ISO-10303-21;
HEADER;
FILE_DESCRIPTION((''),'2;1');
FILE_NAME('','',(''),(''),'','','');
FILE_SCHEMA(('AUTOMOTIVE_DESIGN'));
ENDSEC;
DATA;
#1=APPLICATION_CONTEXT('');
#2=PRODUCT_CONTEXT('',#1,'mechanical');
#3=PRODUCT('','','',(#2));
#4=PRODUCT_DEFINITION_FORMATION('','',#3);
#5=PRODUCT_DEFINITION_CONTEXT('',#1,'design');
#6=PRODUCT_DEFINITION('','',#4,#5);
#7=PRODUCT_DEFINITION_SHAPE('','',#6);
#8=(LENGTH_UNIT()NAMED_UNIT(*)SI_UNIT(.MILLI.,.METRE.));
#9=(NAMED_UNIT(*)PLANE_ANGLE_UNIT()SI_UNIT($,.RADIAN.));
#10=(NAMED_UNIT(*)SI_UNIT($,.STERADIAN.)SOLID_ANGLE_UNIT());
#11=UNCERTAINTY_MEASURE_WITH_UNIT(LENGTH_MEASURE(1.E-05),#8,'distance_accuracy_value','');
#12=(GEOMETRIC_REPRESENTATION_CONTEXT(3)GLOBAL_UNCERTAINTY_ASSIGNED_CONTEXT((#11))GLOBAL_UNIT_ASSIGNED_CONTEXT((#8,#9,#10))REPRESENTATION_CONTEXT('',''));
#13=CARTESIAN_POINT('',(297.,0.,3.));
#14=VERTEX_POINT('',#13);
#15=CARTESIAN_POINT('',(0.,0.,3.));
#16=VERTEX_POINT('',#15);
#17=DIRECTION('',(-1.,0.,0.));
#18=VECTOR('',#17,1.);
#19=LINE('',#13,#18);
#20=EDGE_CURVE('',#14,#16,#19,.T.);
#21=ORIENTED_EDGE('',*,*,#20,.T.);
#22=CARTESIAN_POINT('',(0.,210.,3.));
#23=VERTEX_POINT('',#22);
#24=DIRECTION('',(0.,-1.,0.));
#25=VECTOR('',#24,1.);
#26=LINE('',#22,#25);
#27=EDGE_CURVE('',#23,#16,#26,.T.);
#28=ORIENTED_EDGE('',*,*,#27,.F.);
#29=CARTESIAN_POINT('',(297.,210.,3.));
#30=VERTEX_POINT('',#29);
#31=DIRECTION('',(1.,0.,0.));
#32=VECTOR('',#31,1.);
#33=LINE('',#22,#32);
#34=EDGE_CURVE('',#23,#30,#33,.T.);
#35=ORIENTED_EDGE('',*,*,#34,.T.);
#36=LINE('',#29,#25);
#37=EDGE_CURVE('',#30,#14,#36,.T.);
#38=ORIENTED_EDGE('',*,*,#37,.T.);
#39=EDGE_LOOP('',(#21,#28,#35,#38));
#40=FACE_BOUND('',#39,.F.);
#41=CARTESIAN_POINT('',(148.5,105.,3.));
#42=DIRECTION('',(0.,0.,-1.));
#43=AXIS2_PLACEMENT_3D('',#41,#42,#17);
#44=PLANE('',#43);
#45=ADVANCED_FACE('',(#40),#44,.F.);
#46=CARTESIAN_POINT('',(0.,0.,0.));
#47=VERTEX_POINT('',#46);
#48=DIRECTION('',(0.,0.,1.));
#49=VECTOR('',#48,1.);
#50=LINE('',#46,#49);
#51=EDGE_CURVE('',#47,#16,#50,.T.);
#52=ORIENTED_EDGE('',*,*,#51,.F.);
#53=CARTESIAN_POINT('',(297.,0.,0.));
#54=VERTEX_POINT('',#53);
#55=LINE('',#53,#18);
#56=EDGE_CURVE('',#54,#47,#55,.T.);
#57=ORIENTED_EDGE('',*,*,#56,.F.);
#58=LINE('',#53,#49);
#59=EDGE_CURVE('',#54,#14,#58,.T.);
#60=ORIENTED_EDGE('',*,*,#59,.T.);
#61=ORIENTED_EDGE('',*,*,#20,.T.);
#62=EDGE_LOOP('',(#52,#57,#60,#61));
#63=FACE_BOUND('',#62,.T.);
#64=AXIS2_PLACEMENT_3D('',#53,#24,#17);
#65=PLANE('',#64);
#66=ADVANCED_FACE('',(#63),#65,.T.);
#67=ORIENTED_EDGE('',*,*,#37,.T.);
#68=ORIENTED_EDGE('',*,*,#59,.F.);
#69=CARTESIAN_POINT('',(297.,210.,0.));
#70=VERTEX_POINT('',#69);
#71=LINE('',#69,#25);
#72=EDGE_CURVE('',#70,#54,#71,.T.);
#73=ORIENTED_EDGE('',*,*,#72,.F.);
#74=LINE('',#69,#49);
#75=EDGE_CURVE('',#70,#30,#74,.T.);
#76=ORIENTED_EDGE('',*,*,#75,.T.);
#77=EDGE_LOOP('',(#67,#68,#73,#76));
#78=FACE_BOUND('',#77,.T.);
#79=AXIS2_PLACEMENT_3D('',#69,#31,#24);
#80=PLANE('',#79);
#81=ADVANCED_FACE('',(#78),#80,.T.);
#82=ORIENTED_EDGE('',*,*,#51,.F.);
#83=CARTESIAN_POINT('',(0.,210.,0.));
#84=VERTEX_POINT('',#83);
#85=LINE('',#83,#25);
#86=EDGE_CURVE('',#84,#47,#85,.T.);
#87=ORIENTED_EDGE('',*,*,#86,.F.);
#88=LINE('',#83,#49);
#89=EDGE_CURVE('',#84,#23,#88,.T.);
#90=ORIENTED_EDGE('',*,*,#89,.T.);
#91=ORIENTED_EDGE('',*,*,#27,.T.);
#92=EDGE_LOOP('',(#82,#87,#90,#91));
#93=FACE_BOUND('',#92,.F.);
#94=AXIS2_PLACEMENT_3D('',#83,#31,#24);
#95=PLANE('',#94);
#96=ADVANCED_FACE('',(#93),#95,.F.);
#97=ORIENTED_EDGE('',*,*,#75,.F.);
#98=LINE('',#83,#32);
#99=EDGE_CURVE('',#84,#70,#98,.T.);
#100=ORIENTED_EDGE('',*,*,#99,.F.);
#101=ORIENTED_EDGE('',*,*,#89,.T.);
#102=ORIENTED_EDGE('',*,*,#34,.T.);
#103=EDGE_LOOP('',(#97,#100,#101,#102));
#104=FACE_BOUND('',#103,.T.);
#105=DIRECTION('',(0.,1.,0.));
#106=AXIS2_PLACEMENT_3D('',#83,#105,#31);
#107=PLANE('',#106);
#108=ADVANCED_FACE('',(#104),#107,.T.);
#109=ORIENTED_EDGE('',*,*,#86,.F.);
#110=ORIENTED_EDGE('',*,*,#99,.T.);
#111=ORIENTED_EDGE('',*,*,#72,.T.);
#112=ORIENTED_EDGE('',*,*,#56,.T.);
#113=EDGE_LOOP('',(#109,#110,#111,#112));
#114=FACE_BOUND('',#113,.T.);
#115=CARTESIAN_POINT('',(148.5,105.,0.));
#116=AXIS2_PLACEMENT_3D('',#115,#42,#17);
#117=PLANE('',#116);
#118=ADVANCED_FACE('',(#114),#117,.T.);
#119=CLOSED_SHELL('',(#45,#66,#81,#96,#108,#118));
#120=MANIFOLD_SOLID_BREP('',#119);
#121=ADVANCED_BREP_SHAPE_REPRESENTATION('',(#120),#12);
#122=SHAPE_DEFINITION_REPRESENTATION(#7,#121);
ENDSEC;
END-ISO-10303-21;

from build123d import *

# Parameters (mm, degrees)
PAD_DEPTH = 3


with BuildPart() as part:
    # Sketch → Pad (new body)
    with BuildSketch(Plane.XY):
        Polygon((0, 210), (297, 210), (297, 0), (0, 0), (0, 105), align=None)
    extrude(amount=PAD_DEPTH)


solid = part.part
